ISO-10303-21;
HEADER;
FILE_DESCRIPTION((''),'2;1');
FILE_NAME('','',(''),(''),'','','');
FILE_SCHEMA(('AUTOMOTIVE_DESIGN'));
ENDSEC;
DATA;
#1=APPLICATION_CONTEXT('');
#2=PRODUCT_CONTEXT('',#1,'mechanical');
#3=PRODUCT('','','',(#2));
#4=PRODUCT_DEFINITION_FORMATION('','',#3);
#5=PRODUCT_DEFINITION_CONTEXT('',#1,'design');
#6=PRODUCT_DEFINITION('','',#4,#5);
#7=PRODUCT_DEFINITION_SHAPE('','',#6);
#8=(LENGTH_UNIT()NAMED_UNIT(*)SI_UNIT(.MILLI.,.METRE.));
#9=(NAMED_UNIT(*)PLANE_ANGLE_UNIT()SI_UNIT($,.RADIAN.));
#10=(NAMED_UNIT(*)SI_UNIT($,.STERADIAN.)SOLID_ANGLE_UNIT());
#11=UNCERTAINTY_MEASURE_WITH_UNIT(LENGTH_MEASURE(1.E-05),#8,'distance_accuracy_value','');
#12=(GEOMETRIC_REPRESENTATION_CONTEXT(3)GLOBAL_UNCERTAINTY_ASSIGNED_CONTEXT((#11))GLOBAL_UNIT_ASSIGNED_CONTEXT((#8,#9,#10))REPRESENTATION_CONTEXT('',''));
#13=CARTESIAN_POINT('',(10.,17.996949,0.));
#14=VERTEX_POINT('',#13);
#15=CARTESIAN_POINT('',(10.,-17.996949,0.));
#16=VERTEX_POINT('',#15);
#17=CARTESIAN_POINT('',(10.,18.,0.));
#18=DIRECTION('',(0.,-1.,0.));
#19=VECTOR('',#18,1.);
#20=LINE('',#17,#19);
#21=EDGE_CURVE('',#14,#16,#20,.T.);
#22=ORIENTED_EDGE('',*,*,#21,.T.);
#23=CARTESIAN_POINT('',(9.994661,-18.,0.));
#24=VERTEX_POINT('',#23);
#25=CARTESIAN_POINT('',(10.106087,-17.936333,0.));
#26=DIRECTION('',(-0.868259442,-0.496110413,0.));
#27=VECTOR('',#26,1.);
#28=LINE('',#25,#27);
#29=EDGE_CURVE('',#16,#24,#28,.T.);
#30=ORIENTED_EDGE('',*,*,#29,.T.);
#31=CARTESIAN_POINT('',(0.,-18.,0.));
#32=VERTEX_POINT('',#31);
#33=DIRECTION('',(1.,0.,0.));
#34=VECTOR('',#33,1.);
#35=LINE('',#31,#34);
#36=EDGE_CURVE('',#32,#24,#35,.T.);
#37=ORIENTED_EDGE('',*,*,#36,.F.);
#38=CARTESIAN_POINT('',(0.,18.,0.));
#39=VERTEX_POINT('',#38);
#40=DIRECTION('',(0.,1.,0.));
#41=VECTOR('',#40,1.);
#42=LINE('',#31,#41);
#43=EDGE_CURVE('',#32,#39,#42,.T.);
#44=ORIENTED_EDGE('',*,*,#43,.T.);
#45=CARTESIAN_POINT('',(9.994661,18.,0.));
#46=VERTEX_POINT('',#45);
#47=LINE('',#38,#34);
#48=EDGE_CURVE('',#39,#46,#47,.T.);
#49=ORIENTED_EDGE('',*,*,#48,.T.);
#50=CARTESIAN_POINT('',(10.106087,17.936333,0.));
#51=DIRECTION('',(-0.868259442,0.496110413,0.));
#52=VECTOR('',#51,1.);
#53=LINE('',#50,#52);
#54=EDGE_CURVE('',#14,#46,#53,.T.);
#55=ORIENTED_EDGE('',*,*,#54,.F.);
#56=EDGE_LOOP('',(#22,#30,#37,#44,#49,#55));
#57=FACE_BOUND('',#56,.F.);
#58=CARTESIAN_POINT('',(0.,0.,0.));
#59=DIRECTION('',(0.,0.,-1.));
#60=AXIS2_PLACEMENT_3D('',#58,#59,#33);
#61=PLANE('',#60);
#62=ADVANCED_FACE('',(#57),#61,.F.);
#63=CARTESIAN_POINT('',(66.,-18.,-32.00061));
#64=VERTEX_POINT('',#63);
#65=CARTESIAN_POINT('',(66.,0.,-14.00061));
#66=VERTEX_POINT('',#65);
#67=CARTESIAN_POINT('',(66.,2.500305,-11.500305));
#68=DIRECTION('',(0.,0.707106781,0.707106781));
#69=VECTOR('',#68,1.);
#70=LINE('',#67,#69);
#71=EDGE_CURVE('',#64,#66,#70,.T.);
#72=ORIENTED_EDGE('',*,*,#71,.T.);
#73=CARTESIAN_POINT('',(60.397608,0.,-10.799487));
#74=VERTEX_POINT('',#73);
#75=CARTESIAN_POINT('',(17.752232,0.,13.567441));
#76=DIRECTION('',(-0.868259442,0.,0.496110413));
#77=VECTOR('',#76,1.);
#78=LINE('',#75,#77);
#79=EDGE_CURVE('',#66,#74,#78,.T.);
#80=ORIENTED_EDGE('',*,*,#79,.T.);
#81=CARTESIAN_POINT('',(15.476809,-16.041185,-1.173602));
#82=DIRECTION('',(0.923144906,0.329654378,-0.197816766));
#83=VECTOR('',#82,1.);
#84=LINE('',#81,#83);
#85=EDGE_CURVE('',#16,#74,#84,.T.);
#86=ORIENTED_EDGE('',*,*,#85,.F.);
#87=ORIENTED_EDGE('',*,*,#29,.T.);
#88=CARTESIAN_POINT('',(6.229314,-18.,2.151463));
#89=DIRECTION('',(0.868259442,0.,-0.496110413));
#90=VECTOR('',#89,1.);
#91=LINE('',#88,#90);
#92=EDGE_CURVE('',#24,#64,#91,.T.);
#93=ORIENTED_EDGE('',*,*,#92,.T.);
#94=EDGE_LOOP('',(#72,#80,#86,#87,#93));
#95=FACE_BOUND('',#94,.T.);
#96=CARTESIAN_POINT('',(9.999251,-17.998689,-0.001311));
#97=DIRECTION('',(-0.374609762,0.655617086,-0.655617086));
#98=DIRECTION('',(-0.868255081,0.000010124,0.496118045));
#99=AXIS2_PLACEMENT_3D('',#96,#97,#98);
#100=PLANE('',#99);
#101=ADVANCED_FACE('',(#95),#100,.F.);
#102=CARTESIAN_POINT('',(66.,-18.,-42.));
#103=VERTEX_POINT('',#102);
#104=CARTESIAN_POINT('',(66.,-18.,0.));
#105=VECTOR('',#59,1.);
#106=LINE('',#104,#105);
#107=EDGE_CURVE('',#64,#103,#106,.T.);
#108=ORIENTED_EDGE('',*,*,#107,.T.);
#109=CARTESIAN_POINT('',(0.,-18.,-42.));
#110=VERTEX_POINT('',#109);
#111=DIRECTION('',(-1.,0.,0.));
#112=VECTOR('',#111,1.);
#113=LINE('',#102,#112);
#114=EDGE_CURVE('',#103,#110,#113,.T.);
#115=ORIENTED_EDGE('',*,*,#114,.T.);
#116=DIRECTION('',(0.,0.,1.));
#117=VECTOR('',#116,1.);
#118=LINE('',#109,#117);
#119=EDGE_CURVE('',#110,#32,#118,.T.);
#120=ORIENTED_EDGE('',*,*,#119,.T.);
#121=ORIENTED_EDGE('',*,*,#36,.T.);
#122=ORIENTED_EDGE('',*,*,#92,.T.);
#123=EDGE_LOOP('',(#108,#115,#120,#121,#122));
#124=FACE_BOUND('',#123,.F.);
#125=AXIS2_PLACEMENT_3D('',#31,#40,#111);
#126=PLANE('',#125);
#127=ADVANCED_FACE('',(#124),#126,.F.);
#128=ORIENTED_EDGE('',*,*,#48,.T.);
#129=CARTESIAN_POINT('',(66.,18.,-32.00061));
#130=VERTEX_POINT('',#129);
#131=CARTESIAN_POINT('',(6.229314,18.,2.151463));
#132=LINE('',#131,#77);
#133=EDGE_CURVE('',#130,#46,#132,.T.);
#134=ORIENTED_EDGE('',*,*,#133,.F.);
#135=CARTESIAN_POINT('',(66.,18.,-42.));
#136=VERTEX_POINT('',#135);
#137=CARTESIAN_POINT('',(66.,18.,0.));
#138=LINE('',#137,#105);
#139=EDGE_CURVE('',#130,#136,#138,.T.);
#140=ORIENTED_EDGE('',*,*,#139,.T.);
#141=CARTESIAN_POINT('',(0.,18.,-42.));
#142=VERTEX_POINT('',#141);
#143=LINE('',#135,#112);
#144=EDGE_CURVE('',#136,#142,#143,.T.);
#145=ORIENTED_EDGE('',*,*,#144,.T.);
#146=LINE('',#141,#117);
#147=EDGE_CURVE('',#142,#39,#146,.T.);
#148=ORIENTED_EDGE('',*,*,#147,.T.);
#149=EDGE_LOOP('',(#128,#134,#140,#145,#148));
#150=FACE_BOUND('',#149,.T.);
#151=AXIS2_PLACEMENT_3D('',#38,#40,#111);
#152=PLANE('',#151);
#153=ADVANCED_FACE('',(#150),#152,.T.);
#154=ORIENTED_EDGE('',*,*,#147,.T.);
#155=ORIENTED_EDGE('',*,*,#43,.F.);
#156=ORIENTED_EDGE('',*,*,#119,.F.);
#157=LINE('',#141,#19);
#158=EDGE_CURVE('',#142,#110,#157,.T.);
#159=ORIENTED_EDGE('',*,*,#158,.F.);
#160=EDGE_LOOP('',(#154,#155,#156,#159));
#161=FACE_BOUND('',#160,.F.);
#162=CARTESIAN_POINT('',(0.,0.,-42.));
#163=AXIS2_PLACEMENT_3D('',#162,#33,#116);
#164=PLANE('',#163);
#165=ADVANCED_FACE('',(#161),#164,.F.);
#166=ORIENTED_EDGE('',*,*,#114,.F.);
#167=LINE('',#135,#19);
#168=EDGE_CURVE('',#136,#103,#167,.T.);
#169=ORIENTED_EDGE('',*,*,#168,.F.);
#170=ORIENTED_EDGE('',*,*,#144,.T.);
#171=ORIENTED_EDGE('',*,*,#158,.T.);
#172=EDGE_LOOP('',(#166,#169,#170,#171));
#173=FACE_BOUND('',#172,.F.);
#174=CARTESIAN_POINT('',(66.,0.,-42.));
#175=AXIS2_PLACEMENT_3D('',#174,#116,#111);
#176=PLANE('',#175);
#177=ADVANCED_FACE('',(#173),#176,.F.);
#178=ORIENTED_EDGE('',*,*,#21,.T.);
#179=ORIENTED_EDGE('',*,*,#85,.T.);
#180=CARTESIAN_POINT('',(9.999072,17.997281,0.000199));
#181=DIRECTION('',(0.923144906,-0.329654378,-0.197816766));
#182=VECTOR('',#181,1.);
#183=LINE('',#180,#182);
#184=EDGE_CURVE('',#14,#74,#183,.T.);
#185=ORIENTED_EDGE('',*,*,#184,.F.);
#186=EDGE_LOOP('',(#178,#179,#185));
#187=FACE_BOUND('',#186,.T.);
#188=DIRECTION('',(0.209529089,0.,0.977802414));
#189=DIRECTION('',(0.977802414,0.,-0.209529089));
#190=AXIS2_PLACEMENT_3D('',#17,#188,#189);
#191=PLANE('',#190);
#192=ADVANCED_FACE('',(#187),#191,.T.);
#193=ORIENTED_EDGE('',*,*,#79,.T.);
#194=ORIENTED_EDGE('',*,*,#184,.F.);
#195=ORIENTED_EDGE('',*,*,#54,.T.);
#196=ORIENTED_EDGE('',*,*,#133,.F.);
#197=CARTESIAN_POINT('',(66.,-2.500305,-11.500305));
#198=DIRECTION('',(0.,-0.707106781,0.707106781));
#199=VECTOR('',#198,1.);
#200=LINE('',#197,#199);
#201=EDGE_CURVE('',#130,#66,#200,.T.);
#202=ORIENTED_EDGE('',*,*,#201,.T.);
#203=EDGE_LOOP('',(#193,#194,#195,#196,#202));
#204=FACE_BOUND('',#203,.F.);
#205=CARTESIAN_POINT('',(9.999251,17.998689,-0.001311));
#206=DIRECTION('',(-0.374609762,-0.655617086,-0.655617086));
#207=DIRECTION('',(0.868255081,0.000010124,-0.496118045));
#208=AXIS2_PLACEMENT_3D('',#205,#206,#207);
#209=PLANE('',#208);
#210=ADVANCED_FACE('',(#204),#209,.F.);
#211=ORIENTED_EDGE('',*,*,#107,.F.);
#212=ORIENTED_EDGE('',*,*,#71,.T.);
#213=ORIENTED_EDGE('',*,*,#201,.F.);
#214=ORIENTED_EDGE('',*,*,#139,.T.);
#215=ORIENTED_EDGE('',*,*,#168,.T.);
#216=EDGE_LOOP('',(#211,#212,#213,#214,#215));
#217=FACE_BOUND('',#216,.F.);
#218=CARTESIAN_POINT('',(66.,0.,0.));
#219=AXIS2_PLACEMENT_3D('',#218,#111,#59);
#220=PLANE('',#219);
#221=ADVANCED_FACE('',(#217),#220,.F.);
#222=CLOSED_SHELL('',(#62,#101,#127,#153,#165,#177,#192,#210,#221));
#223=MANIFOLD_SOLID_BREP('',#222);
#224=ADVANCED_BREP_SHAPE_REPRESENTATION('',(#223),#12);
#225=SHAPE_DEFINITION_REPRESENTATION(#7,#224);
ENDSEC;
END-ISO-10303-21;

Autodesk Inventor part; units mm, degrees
ref_plane "YZ Plane" through (0, 0, 0) normal (1, 0, 0) x (0, 1, 0)
ref_plane "XZ Plane" through (0, 0, 0) normal (0, 1, 0) x (-1, 0, 0)
sketch "草圖1" plane through (0, 0, 0) normal (0, 1, 0) x (-1, 0, 0)
  line L0 (0, 0) -> (-66, 0)
  line L1 (-66, 0) -> (-66, -42)
  line L2 (-66, -42) -> (0, -42)
  line L3 (0, -42) -> (0, 0)
  dimension "d0" = 66
  dimension "d1" = 42
extrude "擠出1" add sketch "草圖1" along normal mid plane 36
sketch "草圖2" plane through (0, 18, 0) normal (0, 1, 0) x (1, 0, 0)
  line L0 (0, 0) -> (66, 0) projected
  line L1 (10, 0) -> (66, 12)
  line L2 (66, 0) -> (66, 42) projected
  dimension "d4" = 10
  dimension "d5" = 30
extrude "擠出2" cut sketch "草圖2" against normal blind 40
sketch "草圖3" plane through (66, -18, -42) normal (1, 0, 0) x (0, 0, -1)
  line L0 (-30, 16) -> (-10, 36)
  line L1 (0, 36) -> (-42, 36) projected
  line L2 (-30, 36) -> (-30, 0) projected
  point P0 (-42, 18)
  dimension "d8" = 20
  dimension "d9" = 20
ref_plane "工作平面1" through (10, 18, 0) normal (-0.3746, -0.6556, -0.6556) x (0.8682, 0, -0.4961)
sketch "草圖4" plane through (10, 18, 0) normal (-0.3746, -0.6556, -0.6556) x (0.8682, 0, -0.4961)
  line L0 (-15.1543, -12.3218) -> (93.717, -12.3218)
  line L1 (93.717, -12.3218) -> (93.717, 28.8166)
  line L2 (93.717, 28.8166) -> (-15.1543, 28.8166)
  line L3 (-15.1543, 28.8166) -> (-15.1543, -12.3218)
  point P0 (-8.6824, 10.3391)
extrude "擠出3" cut sketch "草圖4" against normal blind 40
mirror "鏡射1" about plane through (0, 0, 0) normal (0, 1, 0) of "擠出3"
properties part number "6420"
